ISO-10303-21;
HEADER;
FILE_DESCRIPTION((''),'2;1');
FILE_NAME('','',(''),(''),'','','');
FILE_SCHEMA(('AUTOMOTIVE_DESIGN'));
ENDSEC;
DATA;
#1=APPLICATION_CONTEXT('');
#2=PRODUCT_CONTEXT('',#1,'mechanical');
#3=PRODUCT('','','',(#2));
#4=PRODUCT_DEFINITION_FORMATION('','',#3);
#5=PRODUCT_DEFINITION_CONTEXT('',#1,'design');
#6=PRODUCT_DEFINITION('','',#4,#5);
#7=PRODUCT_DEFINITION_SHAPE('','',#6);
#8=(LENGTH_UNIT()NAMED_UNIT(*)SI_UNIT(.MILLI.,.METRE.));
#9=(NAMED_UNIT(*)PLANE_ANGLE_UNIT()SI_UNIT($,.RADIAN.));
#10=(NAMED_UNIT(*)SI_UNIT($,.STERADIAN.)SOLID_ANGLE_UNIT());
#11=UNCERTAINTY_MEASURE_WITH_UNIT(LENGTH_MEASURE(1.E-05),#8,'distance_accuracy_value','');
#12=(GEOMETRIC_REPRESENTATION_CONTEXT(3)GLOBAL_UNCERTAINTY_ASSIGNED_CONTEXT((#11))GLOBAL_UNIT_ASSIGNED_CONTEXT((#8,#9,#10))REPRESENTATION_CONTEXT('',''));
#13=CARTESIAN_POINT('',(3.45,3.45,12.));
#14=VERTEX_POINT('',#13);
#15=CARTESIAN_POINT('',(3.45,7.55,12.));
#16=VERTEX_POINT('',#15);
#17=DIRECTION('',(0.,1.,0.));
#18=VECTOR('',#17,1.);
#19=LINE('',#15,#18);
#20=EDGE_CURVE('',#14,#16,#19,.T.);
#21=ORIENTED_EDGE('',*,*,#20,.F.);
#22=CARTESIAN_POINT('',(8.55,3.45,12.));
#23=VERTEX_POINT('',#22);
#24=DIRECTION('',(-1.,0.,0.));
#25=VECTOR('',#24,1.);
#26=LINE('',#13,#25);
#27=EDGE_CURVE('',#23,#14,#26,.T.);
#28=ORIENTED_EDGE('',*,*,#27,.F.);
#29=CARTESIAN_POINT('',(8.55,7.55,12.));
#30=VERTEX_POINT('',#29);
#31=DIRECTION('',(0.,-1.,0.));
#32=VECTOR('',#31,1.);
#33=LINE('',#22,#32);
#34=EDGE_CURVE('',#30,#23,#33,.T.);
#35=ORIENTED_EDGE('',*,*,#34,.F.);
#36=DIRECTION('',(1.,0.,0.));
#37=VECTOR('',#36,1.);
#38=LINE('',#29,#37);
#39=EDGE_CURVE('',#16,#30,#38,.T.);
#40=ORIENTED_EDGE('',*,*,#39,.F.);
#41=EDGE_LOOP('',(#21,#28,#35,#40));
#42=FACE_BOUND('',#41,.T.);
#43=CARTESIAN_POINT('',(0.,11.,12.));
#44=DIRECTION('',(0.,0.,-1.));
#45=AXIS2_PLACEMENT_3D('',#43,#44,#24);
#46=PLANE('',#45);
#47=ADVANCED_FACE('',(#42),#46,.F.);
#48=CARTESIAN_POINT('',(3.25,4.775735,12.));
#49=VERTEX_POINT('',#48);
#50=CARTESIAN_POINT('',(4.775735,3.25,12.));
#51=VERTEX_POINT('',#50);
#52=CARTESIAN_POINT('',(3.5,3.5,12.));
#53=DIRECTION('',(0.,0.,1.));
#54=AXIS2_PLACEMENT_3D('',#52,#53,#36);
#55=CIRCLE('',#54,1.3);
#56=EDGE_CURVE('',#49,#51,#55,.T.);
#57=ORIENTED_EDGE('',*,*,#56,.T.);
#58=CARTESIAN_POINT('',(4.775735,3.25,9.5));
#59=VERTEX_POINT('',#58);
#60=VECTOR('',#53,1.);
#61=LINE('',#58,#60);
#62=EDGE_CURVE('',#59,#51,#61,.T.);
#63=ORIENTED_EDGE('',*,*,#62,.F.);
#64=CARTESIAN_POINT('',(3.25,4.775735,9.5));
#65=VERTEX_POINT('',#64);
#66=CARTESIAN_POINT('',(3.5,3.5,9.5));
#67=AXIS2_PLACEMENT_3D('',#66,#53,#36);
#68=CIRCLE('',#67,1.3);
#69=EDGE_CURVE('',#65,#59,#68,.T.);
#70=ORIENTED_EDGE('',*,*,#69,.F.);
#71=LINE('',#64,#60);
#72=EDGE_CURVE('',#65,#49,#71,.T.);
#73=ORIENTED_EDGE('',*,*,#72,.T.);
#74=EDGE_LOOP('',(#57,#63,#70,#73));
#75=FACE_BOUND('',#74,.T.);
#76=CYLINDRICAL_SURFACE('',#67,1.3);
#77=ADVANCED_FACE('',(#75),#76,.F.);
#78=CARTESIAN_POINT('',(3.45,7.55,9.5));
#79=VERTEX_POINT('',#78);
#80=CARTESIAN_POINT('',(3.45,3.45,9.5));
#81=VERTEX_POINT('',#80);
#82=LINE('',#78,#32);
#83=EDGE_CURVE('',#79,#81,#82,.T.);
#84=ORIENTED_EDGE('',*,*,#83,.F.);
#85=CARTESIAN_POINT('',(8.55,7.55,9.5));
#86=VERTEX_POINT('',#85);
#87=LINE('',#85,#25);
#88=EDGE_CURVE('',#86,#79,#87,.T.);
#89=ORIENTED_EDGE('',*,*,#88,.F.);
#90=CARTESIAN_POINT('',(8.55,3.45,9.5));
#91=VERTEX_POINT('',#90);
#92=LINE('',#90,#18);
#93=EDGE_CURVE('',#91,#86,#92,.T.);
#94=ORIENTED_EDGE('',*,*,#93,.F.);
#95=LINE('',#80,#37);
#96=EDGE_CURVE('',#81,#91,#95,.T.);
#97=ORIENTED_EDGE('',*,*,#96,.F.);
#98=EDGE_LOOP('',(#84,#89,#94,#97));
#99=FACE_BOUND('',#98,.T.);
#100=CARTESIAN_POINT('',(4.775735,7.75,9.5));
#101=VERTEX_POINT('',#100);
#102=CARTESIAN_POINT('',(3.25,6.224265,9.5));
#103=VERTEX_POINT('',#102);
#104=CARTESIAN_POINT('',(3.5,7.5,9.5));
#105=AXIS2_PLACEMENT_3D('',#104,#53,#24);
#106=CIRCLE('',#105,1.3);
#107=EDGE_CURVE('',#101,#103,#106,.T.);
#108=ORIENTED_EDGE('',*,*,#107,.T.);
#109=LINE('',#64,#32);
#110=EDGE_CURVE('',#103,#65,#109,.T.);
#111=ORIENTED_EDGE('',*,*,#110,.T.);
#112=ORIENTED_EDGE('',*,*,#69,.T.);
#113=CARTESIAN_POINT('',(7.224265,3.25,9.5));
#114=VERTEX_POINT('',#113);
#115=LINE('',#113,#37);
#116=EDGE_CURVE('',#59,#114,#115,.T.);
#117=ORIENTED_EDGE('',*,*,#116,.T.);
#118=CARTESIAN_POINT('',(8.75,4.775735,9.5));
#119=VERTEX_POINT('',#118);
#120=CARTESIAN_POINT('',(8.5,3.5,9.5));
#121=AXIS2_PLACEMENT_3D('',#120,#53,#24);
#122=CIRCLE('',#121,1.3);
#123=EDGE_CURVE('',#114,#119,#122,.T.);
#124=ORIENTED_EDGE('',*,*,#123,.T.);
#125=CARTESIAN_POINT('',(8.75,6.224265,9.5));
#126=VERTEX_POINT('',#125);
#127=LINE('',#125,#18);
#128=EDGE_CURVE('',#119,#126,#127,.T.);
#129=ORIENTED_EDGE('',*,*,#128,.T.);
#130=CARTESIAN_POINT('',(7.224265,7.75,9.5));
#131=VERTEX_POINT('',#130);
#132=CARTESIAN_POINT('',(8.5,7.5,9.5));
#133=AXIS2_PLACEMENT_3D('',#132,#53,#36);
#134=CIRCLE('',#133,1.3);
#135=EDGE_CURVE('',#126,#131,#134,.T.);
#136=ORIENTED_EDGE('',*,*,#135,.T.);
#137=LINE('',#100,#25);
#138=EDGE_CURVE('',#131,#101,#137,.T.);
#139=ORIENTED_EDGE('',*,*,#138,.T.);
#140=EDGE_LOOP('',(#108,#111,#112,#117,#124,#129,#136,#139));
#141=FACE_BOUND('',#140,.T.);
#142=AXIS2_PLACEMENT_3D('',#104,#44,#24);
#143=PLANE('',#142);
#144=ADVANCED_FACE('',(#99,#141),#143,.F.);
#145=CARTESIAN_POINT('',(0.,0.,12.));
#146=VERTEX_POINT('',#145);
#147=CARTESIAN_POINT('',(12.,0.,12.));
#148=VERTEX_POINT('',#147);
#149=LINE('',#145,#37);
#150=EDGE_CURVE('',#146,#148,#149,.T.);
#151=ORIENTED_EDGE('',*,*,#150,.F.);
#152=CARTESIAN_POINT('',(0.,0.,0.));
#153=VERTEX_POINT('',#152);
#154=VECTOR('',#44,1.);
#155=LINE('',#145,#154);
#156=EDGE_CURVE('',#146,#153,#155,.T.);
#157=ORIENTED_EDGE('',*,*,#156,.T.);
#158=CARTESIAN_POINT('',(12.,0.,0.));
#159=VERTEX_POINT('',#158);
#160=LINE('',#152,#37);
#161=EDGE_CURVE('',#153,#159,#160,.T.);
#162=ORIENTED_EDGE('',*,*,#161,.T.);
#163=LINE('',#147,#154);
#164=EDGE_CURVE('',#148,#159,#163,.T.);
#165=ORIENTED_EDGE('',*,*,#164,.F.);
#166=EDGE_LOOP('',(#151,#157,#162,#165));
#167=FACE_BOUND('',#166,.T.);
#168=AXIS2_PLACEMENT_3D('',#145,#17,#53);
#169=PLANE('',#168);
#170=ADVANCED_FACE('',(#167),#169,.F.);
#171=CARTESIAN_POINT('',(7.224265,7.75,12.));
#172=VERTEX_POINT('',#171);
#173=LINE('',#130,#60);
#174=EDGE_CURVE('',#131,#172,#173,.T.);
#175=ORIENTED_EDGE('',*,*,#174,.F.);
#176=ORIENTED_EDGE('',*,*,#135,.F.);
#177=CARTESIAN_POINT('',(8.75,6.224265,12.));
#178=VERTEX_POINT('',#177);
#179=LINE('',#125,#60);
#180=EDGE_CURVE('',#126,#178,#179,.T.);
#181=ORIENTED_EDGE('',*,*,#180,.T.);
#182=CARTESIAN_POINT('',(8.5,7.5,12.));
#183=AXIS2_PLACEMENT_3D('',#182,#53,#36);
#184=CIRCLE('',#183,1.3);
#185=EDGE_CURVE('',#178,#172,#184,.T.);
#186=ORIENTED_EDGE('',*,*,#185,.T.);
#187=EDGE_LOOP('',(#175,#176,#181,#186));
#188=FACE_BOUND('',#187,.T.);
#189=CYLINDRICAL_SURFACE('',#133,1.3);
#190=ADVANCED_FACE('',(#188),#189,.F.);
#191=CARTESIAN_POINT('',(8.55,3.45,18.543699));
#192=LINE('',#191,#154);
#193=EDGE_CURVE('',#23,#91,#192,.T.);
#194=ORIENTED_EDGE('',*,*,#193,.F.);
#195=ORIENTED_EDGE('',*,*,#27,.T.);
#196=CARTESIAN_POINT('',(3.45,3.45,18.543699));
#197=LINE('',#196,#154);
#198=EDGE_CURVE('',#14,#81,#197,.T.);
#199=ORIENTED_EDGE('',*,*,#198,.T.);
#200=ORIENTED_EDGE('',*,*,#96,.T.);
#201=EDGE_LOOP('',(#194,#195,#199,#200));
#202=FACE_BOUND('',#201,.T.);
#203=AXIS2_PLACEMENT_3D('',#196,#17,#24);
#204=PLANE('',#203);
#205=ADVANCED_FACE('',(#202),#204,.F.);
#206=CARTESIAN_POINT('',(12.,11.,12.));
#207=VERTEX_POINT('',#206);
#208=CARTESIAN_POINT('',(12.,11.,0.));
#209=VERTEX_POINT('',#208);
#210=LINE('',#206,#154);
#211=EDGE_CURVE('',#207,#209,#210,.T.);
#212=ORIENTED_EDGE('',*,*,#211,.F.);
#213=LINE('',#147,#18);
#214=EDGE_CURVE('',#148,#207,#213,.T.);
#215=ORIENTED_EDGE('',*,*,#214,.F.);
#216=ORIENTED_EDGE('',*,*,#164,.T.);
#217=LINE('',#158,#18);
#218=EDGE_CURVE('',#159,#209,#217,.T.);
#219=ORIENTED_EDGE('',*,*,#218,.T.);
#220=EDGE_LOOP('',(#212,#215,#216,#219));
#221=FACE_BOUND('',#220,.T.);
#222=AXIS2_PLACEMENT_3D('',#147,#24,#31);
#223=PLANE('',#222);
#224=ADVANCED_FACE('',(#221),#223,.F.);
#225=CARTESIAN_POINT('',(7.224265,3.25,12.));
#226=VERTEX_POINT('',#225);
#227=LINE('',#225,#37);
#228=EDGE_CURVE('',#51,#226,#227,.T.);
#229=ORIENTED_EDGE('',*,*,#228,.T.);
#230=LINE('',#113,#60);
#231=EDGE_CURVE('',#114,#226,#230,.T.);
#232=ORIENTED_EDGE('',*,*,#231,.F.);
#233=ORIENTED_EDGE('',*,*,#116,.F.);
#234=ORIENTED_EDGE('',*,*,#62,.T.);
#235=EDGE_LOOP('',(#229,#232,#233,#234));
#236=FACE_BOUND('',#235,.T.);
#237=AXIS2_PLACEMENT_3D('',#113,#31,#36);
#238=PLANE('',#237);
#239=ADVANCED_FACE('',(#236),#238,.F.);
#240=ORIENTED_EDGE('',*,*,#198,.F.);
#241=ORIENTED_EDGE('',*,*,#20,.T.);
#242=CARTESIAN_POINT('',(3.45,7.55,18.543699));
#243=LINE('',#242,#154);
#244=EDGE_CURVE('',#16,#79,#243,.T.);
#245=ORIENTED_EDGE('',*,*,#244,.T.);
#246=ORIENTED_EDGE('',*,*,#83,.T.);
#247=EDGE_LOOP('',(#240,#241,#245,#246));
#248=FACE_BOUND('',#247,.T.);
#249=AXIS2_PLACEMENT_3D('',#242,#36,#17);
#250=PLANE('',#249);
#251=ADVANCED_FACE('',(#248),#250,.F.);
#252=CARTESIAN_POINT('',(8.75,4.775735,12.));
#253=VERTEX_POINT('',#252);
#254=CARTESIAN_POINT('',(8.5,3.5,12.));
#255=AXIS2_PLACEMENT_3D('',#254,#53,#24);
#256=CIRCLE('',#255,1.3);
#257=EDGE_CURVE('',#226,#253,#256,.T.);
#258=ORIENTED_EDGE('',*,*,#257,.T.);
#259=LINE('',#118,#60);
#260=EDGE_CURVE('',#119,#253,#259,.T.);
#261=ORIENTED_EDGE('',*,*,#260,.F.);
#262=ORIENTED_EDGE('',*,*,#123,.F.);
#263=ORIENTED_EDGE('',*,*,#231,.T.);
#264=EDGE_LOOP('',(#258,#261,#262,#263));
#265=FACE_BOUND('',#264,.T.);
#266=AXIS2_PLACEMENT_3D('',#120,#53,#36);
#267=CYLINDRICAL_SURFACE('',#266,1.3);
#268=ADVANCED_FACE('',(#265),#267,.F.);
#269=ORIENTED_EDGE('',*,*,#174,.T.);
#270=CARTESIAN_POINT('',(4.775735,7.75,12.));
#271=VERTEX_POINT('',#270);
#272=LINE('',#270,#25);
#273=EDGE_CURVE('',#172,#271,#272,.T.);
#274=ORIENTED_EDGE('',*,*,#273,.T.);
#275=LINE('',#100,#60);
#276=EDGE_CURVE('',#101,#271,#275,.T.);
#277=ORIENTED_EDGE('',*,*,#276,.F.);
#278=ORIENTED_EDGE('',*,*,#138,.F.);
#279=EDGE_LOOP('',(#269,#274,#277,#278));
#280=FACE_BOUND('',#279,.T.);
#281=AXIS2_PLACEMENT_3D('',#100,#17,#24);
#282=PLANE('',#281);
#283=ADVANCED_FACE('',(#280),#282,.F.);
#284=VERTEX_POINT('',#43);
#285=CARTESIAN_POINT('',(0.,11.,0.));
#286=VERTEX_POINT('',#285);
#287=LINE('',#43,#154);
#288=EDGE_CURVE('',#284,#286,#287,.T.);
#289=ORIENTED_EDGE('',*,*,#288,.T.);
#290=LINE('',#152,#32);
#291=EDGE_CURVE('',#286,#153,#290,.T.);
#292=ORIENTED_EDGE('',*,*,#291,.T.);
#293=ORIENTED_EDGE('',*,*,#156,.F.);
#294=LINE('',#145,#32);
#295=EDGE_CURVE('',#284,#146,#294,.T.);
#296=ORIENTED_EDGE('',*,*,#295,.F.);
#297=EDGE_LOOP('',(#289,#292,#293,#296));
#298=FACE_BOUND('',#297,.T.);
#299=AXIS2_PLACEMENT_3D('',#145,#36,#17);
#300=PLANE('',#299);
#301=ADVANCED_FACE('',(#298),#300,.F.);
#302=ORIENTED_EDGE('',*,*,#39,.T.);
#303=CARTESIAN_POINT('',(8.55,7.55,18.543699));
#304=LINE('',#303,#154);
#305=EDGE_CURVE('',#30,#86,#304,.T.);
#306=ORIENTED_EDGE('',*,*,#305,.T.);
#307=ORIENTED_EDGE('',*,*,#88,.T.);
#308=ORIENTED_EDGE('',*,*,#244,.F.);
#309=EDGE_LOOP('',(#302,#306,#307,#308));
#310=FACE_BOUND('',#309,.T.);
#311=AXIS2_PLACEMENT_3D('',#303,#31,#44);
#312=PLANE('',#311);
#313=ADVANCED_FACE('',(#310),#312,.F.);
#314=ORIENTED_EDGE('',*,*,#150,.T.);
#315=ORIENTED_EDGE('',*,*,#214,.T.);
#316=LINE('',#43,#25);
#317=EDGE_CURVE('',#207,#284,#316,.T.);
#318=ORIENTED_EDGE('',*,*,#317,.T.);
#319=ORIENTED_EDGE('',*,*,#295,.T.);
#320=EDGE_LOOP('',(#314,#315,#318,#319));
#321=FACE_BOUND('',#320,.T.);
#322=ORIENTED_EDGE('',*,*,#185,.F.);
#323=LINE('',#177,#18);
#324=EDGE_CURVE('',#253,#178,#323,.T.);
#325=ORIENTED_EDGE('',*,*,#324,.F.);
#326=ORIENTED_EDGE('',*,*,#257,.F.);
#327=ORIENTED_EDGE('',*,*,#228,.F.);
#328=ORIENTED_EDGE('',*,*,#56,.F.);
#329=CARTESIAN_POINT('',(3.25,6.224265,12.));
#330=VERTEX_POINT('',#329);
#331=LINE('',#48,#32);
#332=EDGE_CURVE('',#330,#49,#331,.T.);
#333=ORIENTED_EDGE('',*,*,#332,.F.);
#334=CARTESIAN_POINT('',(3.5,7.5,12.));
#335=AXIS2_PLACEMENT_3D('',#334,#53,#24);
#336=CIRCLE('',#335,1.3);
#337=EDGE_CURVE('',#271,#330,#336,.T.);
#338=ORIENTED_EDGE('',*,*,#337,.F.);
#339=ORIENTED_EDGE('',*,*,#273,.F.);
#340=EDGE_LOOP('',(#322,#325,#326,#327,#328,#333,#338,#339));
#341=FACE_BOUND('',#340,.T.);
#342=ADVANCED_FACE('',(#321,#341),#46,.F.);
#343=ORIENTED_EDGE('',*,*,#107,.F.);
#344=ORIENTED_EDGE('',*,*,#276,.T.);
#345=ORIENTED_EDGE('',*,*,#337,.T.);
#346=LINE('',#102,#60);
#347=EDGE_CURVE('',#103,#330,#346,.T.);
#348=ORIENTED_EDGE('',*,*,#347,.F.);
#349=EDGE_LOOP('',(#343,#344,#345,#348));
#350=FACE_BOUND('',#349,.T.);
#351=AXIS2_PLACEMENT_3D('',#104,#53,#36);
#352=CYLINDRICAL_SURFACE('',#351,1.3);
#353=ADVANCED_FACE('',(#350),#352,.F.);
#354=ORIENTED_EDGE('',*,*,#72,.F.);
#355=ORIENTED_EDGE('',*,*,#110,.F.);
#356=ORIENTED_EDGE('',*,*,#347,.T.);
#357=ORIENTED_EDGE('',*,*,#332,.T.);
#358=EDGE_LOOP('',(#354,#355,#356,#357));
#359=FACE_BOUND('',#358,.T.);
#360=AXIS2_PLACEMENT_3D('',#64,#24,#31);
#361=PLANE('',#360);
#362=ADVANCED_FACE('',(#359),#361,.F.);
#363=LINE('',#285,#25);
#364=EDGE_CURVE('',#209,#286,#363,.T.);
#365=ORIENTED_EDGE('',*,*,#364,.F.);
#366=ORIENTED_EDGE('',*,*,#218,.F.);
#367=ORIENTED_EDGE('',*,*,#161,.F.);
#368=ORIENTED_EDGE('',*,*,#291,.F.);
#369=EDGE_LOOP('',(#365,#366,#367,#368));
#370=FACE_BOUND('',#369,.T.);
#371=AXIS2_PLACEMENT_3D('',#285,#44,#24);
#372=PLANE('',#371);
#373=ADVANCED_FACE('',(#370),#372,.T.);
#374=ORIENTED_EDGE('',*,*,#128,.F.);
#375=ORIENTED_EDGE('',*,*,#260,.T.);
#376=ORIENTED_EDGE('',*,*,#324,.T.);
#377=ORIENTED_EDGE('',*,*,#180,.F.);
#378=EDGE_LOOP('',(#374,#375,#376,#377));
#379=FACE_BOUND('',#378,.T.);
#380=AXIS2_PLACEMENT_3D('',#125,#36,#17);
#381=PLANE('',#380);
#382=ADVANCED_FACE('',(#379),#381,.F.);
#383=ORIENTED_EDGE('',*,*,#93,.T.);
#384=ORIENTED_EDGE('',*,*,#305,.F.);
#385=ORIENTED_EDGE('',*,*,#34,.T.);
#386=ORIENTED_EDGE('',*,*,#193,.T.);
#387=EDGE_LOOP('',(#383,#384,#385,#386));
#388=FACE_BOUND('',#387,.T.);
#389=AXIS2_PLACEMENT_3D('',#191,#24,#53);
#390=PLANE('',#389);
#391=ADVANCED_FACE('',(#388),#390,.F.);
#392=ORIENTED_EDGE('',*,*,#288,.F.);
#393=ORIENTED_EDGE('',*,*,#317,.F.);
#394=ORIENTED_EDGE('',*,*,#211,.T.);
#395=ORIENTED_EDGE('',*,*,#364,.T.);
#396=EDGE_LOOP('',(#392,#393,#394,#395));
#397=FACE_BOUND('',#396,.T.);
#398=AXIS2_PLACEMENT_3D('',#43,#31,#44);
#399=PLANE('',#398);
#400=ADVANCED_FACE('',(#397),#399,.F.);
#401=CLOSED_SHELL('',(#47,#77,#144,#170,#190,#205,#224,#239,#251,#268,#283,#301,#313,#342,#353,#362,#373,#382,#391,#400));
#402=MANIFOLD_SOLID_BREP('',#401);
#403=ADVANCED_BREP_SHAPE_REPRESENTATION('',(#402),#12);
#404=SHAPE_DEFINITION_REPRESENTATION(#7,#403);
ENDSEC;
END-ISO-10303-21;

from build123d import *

# Parameters (mm, degrees)
ESQUISSE1_W             = 12
ESQUISSE1_H             = 11
EXTRUSION1_DEPTH        = 12
ENL_V_MAT_EXTRU_1_DEPTH = 2.5
ESQUISSE3_W             = 5.1
ESQUISSE3_H             = 4.1
EXTRUSION2_DEPTH        = 2.5


with BuildPart() as part:
    # Esquisse1 → Extrusion1 (new body)
    with BuildSketch(Plane.XY):
        with Locations((6, 5.5)):
            Rectangle(ESQUISSE1_W, ESQUISSE1_H)
    extrude(amount=EXTRUSION1_DEPTH)

    # Esquisse2 → Enlèv. mat.-Extru.1 (cut)
    with BuildSketch(Plane.XY.offset(12)):
        with BuildLine():
            Line((4.775735082, 7.75), (7.224264918, 7.75))
            ThreePointArc((7.224264918, 7.75), (9.419238816, 8.419238816), (8.75, 6.224264918))
            Line((8.75, 6.224264918), (8.75, 4.775735082))
            ThreePointArc((8.75, 4.775735082), (9.419238816, 2.580761184), (7.224264918, 3.25))
            Line((7.224264918, 3.25), (4.775735082, 3.25))
            ThreePointArc((4.775735082, 3.25), (2.580761184, 2.580761184), (3.25, 4.775735082))
            Line((3.25, 4.775735082), (3.25, 6.224264918))
            ThreePointArc((3.25, 6.224264918), (2.580761184, 8.419238816), (4.775735082, 7.75))
        make_face()
    extrude(amount=-ENL_V_MAT_EXTRU_1_DEPTH, mode=Mode.SUBTRACT)

    # Esquisse3 → Extrusion2 (add)
    with BuildSketch(Plane.XY.offset(9.5)):
        with Locations((6, 5.5)):
            Rectangle(ESQUISSE3_W, ESQUISSE3_H)
    extrude(amount=EXTRUSION2_DEPTH)


solid = part.part
